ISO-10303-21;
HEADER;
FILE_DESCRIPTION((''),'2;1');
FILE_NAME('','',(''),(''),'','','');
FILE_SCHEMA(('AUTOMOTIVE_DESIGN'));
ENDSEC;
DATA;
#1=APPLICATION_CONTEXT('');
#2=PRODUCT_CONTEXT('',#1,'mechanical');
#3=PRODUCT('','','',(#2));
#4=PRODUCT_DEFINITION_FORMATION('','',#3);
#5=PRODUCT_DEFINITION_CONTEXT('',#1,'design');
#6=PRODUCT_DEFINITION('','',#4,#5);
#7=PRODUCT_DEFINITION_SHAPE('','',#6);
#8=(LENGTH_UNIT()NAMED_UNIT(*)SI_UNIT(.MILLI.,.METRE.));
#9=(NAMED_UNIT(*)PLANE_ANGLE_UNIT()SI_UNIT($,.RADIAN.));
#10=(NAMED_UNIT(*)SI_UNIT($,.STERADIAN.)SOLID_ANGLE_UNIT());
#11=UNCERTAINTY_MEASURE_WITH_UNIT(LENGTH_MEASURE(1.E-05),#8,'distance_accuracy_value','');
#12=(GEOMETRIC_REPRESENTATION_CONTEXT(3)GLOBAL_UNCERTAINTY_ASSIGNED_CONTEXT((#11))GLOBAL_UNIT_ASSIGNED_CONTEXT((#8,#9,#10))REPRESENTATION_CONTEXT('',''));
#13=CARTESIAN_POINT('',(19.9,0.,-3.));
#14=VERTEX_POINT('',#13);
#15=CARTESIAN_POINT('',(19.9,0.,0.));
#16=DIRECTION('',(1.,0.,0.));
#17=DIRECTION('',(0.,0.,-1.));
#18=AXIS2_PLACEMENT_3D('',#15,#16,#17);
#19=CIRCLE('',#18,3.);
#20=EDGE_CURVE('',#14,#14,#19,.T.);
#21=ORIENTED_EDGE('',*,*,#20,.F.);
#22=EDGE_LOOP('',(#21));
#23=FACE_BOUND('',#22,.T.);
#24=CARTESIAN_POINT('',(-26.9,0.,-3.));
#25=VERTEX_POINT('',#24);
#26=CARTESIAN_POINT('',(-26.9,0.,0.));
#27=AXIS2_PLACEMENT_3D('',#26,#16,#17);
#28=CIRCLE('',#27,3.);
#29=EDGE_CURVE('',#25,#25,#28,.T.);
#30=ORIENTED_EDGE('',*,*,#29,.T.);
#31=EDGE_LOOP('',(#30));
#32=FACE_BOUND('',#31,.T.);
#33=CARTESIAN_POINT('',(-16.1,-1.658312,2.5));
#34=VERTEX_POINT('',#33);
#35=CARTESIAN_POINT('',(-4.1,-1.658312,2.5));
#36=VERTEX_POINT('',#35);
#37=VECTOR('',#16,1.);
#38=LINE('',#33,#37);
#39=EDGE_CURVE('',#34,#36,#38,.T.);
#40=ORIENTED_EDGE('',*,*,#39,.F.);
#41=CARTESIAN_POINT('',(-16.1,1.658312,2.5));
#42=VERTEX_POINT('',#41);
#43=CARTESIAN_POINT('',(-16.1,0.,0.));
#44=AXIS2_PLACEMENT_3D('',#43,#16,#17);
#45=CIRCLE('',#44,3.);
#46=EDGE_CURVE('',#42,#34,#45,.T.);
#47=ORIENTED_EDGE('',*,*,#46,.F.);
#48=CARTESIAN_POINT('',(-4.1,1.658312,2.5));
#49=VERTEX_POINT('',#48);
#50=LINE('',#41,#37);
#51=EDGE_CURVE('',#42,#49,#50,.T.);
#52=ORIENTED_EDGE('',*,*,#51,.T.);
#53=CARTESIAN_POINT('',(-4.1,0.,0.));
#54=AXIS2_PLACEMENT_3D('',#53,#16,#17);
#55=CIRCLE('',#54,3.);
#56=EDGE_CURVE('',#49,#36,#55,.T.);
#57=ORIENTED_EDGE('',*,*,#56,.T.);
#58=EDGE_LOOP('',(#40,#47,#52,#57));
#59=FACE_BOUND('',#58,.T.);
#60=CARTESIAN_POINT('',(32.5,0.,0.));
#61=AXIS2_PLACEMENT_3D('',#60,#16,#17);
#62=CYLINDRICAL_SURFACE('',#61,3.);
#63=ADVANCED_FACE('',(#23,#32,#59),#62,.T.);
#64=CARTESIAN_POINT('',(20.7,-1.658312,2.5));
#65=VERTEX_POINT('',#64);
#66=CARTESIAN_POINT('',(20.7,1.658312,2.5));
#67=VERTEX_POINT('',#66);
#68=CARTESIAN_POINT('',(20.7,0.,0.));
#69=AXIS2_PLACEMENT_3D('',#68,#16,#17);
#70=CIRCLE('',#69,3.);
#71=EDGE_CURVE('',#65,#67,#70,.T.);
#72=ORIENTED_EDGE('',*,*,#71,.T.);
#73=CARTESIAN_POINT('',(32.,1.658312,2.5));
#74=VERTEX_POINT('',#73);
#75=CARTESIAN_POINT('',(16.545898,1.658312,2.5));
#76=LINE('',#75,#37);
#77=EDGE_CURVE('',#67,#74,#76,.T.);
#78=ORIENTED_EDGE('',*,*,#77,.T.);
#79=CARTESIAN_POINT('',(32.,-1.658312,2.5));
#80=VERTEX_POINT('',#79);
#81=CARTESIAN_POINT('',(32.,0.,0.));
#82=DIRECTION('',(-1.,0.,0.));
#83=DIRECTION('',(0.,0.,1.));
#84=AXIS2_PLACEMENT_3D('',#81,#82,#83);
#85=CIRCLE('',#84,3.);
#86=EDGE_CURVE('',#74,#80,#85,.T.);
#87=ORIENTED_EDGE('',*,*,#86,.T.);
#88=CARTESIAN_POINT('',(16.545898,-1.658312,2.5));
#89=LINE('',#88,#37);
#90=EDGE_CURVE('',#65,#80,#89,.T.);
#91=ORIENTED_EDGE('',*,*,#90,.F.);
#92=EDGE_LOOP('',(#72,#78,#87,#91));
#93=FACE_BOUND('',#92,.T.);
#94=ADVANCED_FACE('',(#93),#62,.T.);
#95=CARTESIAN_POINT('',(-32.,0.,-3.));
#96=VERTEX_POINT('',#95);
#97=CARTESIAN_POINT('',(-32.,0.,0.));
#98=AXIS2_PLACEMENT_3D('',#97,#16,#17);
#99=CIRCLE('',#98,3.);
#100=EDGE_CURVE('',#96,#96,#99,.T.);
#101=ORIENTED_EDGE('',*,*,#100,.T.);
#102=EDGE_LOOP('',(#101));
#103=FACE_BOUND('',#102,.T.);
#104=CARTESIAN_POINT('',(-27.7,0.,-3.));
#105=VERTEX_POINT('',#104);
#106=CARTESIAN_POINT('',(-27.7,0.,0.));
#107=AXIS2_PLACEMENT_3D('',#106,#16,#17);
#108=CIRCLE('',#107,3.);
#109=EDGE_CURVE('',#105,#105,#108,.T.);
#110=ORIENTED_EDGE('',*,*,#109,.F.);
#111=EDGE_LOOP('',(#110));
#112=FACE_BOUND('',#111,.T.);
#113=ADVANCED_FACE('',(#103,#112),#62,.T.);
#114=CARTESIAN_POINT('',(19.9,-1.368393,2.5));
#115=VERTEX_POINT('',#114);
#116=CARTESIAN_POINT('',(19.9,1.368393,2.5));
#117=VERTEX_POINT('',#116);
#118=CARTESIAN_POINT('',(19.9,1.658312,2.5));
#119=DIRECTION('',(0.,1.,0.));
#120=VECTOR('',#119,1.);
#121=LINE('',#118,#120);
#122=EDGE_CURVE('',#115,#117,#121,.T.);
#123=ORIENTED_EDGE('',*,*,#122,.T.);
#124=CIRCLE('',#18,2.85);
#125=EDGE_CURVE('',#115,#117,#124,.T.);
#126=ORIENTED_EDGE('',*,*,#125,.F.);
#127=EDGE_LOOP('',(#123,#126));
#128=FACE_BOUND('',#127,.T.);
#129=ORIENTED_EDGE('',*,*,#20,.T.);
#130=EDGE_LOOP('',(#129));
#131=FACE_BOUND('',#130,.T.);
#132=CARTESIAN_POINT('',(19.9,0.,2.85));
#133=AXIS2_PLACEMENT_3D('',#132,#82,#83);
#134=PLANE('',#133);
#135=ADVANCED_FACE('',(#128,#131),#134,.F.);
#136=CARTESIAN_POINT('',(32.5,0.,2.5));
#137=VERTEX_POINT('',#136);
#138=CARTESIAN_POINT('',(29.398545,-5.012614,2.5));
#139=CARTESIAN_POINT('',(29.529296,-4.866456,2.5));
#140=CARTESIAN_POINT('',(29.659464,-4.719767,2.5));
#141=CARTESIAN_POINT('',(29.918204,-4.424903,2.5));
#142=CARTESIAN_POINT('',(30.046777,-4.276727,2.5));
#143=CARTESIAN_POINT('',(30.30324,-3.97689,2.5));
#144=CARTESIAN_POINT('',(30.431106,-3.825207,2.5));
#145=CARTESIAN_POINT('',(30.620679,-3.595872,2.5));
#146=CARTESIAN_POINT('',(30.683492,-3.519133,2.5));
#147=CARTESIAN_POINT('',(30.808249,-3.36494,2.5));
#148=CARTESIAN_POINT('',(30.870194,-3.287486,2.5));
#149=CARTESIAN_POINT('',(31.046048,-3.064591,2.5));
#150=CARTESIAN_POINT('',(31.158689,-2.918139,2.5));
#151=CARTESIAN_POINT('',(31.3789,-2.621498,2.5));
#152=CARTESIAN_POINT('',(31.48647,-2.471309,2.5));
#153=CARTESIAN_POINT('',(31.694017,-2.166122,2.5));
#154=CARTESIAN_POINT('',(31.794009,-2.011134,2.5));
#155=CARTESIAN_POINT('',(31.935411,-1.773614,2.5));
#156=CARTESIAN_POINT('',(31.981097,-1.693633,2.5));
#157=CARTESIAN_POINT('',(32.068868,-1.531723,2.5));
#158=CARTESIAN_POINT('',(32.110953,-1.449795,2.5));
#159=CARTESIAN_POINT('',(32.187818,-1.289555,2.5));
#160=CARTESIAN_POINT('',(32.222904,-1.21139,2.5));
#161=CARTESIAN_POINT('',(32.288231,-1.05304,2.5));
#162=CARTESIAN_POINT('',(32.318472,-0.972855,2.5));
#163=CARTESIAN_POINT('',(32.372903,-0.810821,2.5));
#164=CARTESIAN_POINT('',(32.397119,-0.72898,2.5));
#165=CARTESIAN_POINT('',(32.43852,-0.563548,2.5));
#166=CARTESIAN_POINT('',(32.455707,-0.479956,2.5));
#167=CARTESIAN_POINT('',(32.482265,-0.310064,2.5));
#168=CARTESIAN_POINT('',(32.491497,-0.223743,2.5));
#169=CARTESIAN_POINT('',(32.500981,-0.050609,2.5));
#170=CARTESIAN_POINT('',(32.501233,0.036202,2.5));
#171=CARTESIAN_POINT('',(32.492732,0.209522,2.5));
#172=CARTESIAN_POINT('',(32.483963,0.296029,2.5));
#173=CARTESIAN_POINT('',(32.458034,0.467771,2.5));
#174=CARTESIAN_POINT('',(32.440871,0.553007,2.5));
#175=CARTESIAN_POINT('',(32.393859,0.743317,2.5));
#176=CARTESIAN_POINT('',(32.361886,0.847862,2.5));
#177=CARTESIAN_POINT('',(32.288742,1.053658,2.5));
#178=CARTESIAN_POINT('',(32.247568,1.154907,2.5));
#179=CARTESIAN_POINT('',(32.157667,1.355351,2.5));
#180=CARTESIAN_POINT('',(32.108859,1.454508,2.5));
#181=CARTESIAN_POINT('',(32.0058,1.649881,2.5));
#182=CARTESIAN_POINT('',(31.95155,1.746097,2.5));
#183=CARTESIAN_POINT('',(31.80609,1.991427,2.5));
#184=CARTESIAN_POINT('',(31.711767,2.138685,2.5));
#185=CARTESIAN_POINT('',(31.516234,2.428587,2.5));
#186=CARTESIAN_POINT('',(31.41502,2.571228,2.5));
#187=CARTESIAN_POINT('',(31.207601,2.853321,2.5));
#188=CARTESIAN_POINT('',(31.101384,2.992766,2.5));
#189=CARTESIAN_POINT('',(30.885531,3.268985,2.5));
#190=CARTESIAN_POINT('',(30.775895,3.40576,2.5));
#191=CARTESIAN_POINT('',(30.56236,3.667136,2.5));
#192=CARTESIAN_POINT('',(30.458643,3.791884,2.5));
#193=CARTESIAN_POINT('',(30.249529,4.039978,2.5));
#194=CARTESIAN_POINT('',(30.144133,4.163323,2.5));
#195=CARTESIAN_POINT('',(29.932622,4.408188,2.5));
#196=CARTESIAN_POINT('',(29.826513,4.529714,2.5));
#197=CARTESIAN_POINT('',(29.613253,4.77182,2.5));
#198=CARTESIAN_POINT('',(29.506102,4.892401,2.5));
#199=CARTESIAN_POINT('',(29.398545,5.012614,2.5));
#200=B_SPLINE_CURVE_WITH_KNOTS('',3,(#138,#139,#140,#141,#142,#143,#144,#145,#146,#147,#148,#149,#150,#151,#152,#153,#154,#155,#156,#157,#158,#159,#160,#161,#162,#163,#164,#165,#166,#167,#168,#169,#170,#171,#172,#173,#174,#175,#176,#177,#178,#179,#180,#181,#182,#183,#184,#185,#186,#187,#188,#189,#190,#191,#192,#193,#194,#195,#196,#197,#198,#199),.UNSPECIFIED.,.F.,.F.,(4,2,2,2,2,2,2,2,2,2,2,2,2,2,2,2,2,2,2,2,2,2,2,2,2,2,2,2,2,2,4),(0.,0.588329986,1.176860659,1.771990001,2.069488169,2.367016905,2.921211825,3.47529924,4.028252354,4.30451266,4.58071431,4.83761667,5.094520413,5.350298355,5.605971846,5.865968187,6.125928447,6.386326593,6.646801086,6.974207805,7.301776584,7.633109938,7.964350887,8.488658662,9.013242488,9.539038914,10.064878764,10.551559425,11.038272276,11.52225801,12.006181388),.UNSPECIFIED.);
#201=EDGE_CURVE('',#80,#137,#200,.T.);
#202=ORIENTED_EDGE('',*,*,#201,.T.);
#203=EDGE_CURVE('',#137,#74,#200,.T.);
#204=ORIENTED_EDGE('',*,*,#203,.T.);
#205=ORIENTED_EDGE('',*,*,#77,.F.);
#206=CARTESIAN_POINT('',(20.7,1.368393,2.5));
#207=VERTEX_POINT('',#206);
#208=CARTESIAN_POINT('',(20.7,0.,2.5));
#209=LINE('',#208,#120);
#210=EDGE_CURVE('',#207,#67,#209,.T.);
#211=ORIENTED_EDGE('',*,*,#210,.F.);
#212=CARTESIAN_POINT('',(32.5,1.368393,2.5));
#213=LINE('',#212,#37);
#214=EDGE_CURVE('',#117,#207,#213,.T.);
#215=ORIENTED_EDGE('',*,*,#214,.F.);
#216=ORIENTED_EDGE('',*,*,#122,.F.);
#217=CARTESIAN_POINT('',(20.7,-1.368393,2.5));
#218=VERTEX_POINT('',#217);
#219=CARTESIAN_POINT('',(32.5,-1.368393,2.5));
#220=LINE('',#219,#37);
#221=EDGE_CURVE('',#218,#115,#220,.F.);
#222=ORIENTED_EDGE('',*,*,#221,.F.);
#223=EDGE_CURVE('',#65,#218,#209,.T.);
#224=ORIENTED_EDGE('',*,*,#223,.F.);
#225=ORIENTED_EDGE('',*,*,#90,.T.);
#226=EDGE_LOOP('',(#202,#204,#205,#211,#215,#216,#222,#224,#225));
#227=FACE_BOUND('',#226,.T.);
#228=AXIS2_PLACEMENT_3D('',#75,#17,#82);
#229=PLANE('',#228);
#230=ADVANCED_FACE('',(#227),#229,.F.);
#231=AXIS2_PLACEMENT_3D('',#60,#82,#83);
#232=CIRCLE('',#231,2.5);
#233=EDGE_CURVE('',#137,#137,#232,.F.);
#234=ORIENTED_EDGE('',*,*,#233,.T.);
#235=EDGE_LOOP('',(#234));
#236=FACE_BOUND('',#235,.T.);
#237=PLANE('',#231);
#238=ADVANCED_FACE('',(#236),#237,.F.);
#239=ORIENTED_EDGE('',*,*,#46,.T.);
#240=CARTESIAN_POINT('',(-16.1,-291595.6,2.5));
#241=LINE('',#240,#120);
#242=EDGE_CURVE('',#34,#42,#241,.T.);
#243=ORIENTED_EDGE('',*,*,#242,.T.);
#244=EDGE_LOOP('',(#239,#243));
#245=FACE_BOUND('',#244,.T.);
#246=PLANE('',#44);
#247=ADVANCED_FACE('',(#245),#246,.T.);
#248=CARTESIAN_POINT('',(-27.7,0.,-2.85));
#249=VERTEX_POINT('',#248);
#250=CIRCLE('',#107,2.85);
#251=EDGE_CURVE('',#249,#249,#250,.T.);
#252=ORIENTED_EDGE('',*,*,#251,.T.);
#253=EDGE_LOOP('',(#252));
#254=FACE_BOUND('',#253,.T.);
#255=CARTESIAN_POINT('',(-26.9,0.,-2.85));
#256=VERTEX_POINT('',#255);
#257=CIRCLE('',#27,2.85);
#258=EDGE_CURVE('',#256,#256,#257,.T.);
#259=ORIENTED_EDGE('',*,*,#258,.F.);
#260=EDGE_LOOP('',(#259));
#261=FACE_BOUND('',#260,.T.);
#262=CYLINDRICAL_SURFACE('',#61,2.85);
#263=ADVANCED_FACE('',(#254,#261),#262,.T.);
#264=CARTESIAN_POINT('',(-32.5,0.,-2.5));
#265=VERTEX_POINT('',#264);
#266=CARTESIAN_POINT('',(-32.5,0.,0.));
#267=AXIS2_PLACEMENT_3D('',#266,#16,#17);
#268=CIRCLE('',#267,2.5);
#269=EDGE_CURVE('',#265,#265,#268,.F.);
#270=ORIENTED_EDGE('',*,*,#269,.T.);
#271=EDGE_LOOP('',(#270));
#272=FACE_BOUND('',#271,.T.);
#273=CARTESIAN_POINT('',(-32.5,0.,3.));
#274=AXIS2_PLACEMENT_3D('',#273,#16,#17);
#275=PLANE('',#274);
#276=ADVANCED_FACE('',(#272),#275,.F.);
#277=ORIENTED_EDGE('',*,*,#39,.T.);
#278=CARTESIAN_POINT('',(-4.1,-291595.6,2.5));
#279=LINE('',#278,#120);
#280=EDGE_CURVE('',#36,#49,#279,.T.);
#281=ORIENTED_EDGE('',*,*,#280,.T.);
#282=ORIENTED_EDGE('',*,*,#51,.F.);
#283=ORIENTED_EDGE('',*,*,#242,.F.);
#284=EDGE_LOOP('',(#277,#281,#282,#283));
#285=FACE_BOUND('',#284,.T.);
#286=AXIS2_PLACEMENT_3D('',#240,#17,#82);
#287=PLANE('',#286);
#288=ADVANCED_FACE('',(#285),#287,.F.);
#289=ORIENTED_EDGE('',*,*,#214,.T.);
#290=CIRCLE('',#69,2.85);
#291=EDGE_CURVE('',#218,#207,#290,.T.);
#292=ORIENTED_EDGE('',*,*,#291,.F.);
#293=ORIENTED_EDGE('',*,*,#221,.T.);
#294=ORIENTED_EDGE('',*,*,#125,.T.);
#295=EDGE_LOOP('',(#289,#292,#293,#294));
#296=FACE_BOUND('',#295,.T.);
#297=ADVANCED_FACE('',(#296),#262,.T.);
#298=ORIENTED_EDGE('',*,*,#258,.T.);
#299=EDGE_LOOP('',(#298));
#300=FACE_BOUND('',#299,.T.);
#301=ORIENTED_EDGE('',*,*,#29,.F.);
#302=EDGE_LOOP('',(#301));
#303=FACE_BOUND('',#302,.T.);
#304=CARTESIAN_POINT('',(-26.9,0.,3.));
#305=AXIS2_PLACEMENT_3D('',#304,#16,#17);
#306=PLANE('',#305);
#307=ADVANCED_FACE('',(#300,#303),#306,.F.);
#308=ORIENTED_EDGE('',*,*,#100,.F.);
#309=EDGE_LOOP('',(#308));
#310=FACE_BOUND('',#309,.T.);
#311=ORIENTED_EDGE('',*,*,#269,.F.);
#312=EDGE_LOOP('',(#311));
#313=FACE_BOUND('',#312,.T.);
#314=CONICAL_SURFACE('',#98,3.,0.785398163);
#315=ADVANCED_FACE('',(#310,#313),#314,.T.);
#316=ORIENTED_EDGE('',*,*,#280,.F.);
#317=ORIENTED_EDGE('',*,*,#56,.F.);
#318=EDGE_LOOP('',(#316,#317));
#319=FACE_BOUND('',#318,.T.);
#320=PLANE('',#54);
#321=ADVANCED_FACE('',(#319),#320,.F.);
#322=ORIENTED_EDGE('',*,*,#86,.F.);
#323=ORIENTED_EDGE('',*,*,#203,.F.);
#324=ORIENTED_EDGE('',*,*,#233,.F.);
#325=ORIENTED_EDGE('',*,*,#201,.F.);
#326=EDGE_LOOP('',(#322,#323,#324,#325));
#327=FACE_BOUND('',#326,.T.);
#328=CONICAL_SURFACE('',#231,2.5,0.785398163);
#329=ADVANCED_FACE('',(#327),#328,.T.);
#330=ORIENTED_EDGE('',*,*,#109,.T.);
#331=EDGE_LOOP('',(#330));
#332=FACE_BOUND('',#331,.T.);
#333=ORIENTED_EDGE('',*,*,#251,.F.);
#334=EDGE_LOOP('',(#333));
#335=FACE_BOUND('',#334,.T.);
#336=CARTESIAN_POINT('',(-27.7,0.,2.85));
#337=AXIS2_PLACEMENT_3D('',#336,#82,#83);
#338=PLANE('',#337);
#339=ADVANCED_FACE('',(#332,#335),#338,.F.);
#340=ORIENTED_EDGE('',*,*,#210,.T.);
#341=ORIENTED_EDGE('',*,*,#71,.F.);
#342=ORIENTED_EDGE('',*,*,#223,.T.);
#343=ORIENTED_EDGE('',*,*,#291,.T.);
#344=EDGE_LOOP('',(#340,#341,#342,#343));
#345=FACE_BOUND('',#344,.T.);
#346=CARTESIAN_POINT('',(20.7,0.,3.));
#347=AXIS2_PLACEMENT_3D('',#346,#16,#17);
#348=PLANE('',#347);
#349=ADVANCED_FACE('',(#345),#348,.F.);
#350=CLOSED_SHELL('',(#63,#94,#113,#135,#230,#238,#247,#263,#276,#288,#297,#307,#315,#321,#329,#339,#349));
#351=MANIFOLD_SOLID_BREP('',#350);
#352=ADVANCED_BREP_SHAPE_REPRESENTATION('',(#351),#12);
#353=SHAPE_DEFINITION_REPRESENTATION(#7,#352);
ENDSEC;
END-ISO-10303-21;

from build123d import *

# Parameters (mm, degrees)
CHAFL_N1_SIZE         = 0.5
CORTAR_EXTRUIR1_REACH = 67.138
CORTAR_EXTRUIR2_START = -48.6
CORTAR_EXTRUIR2_DEPTH = 12


with BuildPart() as part:
    # Croquis1 → Revolución1 (revolve)
    with BuildSketch(Plane(origin=(0, 0, 0), x_dir=(-1, 0, 0), z_dir=(0, 1, 0)), mode=Mode.PRIVATE) as revoluci_n1_sk:
        Polygon((-32.5, 0), (-32.5, 3), (-20.7, 3), (-20.7, 2.85), (-19.9, 2.85), (-19.9, 3), (26.9, 3), (26.9, 2.85), (27.7, 2.85), (27.7, 3), (32.5, 3), (32.5, 0), align=None)
    revolve(revoluci_n1_sk.sketch.rotate(Axis((32.5, 0, 0), (-1, 0, 0)), 180), axis=Axis((32.5, 0, 0), (-1, 0, 0)))

    # Chaflán1
    chafl_n1_edges = [part.edges().sort_by_distance(p)[0] for p in [
        (32.5, 0, 3),
        (-32.5, 0, 3),
    ]]
    chamfer(chafl_n1_edges, length=CHAFL_N1_SIZE)

    # Cortar-Extruir1: up to this face of the body (flat: up to its plane)
    cortar_extruir1_end = Plane(part.part.faces().sort_by_distance((19.9, 0, 2.934852814))[0])
    # Croquis2 → Cortar-Extruir1 (cut, up to the picked face)
    with BuildSketch(Plane.YZ.offset(32.5), mode=Mode.PRIVATE) as cortar_extruir1_sk1:
        with BuildLine():
            Line((1.658312395, 2.5), (-1.658312395, 2.5))
            ThreePointArc((-1.658312395, 2.5), (0, 3), (1.658312395, 2.5))
        make_face()
    cortar_extruir1_tool1 = split(extrude(cortar_extruir1_sk1.sketch, amount=-CORTAR_EXTRUIR1_REACH, mode=Mode.PRIVATE), bisect_by=cortar_extruir1_end, keep=Keep.BOTH, mode=Mode.PRIVATE)
    add(cortar_extruir1_tool1.solids().sort_by(Axis((32.5, 0, 2.701501), (-1, 0, 0)))[0], mode=Mode.SUBTRACT)

    # Croquis2<2> → Cortar-Extruir2 (cut)
    with BuildSketch(Plane.YZ.offset(32.5).offset(CORTAR_EXTRUIR2_START)):
        with BuildLine():
            Line((1.658312395, 2.5), (-1.658312395, 2.5))
            ThreePointArc((-1.658312395, 2.5), (0, 3), (1.658312395, 2.5))
        make_face()
    extrude(amount=CORTAR_EXTRUIR2_DEPTH, mode=Mode.SUBTRACT)


solid = part.part
